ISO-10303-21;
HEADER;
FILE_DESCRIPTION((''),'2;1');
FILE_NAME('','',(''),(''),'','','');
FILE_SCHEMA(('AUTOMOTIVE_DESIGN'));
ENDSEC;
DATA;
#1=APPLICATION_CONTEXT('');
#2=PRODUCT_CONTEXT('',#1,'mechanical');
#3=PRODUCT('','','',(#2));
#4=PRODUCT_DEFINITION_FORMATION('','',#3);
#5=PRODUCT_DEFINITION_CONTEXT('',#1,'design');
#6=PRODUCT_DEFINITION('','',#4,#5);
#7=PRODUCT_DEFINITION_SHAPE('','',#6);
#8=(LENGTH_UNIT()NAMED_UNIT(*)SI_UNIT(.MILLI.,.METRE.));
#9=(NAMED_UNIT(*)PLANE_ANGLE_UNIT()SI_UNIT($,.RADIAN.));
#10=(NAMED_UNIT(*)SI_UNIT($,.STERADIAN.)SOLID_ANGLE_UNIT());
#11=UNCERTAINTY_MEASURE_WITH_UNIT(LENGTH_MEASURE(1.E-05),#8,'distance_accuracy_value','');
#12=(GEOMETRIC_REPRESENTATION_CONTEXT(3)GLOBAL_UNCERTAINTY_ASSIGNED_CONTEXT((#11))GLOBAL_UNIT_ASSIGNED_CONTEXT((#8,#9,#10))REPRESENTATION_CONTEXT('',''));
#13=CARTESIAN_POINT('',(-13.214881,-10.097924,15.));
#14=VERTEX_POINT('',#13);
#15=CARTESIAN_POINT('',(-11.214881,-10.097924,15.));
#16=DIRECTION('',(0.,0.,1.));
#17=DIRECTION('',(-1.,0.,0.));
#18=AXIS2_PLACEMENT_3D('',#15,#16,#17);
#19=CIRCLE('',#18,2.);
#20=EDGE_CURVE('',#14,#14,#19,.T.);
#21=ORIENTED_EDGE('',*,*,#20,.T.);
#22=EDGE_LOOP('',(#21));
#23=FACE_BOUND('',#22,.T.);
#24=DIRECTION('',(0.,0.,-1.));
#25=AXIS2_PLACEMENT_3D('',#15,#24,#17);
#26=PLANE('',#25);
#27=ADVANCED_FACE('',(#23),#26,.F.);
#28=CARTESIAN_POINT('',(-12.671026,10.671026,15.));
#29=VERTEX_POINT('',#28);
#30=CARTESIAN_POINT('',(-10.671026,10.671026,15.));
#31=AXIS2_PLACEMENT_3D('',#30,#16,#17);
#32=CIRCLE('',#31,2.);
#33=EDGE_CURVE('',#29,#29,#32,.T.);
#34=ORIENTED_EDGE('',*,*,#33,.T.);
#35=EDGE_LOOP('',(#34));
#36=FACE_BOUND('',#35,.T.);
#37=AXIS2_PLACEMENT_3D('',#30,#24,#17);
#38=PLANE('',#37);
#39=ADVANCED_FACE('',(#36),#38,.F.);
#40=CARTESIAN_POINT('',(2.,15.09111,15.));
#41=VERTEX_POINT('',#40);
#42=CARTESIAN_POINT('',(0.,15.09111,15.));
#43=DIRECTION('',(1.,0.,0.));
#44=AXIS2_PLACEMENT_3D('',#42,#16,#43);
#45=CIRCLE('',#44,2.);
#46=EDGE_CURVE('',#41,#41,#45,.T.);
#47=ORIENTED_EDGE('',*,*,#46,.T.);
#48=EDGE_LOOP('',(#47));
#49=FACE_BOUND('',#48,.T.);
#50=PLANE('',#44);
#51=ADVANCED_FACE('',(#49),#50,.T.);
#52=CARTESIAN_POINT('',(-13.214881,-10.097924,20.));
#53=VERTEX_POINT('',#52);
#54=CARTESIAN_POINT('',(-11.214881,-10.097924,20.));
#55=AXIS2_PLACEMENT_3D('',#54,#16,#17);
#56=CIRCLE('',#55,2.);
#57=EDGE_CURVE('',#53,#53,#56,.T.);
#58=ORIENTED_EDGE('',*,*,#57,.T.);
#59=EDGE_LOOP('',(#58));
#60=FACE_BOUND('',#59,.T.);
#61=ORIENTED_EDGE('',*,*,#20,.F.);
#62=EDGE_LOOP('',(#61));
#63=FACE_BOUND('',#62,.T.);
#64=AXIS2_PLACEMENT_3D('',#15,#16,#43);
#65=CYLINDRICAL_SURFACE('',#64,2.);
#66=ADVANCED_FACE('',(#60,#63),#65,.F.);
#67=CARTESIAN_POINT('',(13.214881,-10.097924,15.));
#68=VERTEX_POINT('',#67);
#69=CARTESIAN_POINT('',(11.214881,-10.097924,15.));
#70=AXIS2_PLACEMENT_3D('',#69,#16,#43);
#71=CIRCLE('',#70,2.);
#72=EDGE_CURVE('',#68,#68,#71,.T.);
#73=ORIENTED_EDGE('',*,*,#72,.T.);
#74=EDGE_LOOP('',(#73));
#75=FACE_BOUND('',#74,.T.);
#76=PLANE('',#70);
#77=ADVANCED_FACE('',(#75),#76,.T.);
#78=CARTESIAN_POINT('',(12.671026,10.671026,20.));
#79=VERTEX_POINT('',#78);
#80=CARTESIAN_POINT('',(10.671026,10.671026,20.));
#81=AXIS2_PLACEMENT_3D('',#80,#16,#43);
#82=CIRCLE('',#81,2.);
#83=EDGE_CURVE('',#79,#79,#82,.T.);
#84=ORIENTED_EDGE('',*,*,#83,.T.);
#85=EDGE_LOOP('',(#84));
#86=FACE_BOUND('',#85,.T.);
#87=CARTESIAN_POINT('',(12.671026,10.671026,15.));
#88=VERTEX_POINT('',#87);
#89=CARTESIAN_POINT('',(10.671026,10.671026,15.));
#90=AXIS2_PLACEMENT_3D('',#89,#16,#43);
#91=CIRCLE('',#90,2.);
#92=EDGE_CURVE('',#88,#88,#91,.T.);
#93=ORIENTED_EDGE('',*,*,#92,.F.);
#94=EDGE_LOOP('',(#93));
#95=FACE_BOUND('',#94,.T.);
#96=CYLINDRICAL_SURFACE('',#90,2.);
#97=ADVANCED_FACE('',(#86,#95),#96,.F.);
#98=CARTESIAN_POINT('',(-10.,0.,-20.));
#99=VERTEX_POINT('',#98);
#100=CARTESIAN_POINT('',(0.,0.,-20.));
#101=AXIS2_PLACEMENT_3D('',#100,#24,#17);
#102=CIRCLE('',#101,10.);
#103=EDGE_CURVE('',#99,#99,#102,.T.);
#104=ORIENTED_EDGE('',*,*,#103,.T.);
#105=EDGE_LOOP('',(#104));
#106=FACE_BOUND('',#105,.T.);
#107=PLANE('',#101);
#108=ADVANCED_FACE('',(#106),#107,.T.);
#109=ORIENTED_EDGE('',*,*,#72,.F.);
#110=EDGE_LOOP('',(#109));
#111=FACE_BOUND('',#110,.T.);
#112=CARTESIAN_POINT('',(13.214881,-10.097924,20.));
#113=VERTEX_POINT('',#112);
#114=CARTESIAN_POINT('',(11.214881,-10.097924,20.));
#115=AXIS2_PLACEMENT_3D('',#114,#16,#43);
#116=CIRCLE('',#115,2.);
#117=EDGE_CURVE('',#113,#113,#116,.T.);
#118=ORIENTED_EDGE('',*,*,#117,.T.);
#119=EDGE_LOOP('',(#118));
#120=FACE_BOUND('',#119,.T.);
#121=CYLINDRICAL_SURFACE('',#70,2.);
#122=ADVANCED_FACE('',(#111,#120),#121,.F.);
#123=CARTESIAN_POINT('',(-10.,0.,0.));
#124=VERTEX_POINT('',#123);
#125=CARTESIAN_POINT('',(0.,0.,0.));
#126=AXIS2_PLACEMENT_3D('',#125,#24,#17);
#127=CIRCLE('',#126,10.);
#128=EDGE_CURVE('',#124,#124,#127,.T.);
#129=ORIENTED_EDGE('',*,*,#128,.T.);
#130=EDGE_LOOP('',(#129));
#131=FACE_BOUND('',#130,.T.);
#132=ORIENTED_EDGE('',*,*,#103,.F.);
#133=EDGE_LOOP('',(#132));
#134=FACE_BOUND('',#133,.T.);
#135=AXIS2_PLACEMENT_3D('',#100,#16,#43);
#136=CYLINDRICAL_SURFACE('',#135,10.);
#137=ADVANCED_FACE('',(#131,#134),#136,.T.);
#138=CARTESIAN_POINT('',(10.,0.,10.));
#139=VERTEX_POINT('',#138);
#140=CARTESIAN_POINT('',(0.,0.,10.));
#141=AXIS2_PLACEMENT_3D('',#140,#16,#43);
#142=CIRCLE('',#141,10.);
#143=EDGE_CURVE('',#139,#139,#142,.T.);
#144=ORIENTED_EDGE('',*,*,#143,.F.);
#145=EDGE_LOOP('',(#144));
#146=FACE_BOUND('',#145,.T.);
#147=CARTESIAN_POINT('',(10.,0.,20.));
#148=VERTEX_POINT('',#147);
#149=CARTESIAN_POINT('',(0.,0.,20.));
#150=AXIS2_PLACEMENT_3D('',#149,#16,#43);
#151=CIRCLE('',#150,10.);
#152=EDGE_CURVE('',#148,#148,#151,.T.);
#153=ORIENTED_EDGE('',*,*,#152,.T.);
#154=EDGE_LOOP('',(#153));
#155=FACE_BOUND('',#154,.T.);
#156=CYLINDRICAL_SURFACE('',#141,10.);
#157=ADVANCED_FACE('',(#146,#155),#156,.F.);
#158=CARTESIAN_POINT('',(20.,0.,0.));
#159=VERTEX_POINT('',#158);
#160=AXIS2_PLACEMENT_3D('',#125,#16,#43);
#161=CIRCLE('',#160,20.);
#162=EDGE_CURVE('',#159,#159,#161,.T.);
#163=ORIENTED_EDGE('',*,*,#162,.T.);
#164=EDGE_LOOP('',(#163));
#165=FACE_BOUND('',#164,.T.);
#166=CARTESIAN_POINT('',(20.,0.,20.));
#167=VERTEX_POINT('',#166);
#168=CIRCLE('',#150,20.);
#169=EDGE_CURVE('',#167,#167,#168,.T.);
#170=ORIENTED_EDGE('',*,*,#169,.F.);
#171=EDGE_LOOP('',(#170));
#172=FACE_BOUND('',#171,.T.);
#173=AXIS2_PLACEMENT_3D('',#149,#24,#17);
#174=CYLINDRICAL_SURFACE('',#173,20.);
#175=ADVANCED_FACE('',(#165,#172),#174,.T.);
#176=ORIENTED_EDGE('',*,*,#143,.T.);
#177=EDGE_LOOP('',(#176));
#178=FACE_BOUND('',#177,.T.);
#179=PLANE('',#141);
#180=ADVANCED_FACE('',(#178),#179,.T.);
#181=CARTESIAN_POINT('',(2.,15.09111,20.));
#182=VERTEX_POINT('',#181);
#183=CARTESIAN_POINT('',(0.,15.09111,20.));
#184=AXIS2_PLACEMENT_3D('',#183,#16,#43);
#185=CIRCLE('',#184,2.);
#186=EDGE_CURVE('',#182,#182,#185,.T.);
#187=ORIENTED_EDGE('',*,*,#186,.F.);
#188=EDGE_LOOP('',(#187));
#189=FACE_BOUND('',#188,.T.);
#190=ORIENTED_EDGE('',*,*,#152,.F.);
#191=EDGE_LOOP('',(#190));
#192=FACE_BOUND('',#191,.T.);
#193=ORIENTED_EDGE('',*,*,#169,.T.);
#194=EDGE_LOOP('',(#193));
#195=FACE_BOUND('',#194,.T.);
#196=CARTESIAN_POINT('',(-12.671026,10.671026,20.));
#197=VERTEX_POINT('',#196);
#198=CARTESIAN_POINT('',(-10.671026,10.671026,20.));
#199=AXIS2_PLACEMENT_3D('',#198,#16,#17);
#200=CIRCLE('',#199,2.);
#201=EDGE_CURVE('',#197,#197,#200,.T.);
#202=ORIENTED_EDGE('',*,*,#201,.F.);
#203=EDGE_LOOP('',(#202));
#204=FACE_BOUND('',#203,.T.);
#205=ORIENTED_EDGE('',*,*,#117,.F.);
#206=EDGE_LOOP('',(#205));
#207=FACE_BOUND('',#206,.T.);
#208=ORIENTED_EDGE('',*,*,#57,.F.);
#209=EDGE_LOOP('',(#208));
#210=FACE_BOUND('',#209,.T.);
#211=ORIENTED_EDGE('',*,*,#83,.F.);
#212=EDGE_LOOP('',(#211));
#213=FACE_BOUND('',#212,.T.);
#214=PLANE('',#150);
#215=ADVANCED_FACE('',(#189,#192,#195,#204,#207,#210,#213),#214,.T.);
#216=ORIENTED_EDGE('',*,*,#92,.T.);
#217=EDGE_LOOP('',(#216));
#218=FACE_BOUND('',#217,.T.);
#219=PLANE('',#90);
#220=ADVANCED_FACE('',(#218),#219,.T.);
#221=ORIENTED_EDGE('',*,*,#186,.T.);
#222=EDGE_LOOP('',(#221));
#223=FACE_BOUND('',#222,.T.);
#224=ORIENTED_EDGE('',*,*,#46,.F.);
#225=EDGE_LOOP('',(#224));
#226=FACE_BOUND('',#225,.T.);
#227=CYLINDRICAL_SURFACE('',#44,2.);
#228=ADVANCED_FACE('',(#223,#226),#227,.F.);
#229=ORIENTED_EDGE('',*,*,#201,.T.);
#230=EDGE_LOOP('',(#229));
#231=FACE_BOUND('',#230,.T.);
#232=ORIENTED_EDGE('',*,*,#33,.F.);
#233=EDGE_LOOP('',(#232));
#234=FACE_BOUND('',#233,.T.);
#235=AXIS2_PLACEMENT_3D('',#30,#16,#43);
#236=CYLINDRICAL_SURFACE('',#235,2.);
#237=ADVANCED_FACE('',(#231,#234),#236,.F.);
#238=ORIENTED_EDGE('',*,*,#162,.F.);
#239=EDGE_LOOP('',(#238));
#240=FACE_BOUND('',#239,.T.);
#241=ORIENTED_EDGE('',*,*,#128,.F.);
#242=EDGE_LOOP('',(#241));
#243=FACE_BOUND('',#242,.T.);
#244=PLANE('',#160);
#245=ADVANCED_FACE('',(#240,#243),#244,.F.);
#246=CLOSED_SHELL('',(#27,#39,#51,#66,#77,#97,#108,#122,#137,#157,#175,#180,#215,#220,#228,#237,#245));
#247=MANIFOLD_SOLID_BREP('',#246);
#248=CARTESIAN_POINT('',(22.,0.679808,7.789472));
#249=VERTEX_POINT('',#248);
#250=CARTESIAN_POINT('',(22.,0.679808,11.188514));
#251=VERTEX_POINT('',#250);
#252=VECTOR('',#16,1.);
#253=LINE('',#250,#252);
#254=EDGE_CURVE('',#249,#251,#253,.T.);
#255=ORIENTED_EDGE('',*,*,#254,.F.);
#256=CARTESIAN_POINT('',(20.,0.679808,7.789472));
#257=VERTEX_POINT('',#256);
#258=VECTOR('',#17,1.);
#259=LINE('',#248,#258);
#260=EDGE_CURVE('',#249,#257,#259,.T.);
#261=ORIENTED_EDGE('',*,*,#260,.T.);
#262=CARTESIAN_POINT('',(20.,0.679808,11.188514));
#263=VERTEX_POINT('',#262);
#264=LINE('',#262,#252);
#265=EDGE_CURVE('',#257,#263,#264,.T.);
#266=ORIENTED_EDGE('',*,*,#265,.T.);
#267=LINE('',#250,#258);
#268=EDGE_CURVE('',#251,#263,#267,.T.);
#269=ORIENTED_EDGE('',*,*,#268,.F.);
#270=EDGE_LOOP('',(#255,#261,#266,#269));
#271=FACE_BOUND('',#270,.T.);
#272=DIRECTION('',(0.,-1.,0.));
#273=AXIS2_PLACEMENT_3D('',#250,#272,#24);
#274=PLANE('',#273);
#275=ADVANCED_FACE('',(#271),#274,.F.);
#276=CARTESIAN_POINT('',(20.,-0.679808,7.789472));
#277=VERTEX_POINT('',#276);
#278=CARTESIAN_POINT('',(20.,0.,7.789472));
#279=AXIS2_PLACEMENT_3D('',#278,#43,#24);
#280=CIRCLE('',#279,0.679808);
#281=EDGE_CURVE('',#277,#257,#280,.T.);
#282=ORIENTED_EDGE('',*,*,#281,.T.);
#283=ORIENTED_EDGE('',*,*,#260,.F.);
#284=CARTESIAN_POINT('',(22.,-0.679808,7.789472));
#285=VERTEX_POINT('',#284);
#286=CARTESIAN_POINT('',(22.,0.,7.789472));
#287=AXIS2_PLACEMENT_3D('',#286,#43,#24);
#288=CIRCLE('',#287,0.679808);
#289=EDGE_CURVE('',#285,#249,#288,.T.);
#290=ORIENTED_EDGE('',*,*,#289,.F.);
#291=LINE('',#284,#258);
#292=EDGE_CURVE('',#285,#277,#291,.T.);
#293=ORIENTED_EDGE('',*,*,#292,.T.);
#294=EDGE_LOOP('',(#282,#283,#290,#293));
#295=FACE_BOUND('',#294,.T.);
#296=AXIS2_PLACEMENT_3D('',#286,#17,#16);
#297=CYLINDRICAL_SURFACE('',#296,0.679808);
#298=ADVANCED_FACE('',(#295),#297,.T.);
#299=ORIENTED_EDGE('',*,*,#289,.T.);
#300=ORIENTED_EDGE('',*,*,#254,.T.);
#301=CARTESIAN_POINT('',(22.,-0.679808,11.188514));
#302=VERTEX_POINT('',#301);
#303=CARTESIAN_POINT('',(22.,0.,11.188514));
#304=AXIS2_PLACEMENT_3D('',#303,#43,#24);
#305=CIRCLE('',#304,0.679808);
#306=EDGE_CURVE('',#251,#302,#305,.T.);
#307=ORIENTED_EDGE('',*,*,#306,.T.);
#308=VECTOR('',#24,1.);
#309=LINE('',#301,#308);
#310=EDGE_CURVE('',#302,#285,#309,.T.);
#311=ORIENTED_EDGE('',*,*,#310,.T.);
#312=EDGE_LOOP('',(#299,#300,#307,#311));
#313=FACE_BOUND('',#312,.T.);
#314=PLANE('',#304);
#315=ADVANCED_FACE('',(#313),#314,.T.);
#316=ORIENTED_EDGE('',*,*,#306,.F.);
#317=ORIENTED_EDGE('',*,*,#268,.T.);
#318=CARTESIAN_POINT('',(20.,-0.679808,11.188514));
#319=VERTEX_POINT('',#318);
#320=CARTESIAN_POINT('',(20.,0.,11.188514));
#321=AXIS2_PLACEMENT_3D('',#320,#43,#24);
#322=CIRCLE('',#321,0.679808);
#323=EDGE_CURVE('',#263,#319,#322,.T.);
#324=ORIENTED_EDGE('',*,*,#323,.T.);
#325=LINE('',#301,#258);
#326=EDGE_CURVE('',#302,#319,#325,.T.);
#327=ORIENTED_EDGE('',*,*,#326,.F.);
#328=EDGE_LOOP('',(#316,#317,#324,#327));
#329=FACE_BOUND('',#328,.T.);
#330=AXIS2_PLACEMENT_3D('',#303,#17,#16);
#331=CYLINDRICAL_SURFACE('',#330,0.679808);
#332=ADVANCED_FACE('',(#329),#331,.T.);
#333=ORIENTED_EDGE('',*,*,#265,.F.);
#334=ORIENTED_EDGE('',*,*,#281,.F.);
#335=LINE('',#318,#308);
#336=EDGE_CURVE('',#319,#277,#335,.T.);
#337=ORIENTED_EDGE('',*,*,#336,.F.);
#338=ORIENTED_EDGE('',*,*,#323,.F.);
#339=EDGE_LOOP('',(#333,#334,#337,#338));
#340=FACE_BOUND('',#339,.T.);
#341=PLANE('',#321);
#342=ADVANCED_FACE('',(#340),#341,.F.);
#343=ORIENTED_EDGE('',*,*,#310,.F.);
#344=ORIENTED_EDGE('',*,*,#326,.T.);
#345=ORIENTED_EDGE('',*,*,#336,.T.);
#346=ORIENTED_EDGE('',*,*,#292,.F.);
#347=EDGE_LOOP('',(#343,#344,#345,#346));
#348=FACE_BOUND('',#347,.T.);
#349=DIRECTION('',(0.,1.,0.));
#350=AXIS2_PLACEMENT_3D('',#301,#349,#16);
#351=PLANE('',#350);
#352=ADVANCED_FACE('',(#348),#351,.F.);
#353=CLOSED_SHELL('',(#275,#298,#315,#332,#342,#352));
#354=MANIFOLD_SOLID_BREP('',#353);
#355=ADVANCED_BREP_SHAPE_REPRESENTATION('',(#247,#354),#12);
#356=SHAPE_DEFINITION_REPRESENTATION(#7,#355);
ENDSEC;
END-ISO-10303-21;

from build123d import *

# Parameters (mm, degrees)
SKETCH1_R           = 20
BOSS_EXTRUDE1_DEPTH = 20
SKETCH2_R           = 10
BOSS_EXTRUDE2_DEPTH = 20
SKETCH3_R           = 10
CUT_EXTRUDE1_DEPTH  = 10
SKETCH9_R           = 2
CUT_EXTRUDE2_DEPTH  = 5
BOSS_EXTRUDE3_DEPTH = 2


with BuildPart() as part:
    # Sketch1 → Boss-Extrude1 (new body)
    with BuildSketch(Plane.XY):
        Circle(SKETCH1_R)
    extrude(amount=BOSS_EXTRUDE1_DEPTH)

    # Sketch2 → Boss-Extrude2 (add)
    with BuildSketch(Plane(origin=(0, 0, 0), x_dir=(-1, 0, 0), z_dir=(0, 0, -1))):
        Circle(SKETCH2_R)
    extrude(amount=BOSS_EXTRUDE2_DEPTH)

    # Sketch3 → Cut-Extrude1 (cut)
    with BuildSketch(Plane.XY.offset(20)):
        with Locations(Location((0, 0, 0), (0, 0, 180))):
            Circle(SKETCH3_R)
    extrude(amount=-CUT_EXTRUDE1_DEPTH, mode=Mode.SUBTRACT)

    # Sketch9 → Cut-Extrude2 (cut)
    with BuildSketch(Plane.XY.offset(20)):
        with Locations((0, 15.091110353)):
            Circle(SKETCH9_R)
        with Locations((10.671026466, 10.671026466)):
            Circle(SKETCH9_R)
        with Locations((11.214880569, -10.097923821)):
            Circle(SKETCH9_R)
        with Locations(Location((-11.214880569, -10.097923821, 0), (0, 0, 180))):
            Circle(SKETCH9_R)
        with Locations(Location((-10.671026466, 10.671026466, 0), (0, 0, 180))):
            Circle(SKETCH9_R)
    extrude(amount=-CUT_EXTRUDE2_DEPTH, mode=Mode.SUBTRACT)


with BuildPart() as body_2:
    # Sketch10 → Boss-Extrude3 (new body)
    with BuildSketch(Plane(origin=(20, 0, 0), x_dir=(0, 0, -1), z_dir=(1, 0, 0))):
        with BuildLine():
            Line((-11.188513729, 0.679808429), (-7.789471584, 0.679808429))
            ThreePointArc((-7.789471584, 0.679808429), (-7.109663155, 0), (-7.789471584, -0.679808429))
            Line((-7.789471584, -0.679808429), (-11.188513729, -0.679808429))
            ThreePointArc((-11.188513729, -0.679808429), (-11.868322158, 0), (-11.188513729, 0.679808429))
        make_face()
    extrude(amount=BOSS_EXTRUDE3_DEPTH)


solid = Compound([part.part, body_2.part])
